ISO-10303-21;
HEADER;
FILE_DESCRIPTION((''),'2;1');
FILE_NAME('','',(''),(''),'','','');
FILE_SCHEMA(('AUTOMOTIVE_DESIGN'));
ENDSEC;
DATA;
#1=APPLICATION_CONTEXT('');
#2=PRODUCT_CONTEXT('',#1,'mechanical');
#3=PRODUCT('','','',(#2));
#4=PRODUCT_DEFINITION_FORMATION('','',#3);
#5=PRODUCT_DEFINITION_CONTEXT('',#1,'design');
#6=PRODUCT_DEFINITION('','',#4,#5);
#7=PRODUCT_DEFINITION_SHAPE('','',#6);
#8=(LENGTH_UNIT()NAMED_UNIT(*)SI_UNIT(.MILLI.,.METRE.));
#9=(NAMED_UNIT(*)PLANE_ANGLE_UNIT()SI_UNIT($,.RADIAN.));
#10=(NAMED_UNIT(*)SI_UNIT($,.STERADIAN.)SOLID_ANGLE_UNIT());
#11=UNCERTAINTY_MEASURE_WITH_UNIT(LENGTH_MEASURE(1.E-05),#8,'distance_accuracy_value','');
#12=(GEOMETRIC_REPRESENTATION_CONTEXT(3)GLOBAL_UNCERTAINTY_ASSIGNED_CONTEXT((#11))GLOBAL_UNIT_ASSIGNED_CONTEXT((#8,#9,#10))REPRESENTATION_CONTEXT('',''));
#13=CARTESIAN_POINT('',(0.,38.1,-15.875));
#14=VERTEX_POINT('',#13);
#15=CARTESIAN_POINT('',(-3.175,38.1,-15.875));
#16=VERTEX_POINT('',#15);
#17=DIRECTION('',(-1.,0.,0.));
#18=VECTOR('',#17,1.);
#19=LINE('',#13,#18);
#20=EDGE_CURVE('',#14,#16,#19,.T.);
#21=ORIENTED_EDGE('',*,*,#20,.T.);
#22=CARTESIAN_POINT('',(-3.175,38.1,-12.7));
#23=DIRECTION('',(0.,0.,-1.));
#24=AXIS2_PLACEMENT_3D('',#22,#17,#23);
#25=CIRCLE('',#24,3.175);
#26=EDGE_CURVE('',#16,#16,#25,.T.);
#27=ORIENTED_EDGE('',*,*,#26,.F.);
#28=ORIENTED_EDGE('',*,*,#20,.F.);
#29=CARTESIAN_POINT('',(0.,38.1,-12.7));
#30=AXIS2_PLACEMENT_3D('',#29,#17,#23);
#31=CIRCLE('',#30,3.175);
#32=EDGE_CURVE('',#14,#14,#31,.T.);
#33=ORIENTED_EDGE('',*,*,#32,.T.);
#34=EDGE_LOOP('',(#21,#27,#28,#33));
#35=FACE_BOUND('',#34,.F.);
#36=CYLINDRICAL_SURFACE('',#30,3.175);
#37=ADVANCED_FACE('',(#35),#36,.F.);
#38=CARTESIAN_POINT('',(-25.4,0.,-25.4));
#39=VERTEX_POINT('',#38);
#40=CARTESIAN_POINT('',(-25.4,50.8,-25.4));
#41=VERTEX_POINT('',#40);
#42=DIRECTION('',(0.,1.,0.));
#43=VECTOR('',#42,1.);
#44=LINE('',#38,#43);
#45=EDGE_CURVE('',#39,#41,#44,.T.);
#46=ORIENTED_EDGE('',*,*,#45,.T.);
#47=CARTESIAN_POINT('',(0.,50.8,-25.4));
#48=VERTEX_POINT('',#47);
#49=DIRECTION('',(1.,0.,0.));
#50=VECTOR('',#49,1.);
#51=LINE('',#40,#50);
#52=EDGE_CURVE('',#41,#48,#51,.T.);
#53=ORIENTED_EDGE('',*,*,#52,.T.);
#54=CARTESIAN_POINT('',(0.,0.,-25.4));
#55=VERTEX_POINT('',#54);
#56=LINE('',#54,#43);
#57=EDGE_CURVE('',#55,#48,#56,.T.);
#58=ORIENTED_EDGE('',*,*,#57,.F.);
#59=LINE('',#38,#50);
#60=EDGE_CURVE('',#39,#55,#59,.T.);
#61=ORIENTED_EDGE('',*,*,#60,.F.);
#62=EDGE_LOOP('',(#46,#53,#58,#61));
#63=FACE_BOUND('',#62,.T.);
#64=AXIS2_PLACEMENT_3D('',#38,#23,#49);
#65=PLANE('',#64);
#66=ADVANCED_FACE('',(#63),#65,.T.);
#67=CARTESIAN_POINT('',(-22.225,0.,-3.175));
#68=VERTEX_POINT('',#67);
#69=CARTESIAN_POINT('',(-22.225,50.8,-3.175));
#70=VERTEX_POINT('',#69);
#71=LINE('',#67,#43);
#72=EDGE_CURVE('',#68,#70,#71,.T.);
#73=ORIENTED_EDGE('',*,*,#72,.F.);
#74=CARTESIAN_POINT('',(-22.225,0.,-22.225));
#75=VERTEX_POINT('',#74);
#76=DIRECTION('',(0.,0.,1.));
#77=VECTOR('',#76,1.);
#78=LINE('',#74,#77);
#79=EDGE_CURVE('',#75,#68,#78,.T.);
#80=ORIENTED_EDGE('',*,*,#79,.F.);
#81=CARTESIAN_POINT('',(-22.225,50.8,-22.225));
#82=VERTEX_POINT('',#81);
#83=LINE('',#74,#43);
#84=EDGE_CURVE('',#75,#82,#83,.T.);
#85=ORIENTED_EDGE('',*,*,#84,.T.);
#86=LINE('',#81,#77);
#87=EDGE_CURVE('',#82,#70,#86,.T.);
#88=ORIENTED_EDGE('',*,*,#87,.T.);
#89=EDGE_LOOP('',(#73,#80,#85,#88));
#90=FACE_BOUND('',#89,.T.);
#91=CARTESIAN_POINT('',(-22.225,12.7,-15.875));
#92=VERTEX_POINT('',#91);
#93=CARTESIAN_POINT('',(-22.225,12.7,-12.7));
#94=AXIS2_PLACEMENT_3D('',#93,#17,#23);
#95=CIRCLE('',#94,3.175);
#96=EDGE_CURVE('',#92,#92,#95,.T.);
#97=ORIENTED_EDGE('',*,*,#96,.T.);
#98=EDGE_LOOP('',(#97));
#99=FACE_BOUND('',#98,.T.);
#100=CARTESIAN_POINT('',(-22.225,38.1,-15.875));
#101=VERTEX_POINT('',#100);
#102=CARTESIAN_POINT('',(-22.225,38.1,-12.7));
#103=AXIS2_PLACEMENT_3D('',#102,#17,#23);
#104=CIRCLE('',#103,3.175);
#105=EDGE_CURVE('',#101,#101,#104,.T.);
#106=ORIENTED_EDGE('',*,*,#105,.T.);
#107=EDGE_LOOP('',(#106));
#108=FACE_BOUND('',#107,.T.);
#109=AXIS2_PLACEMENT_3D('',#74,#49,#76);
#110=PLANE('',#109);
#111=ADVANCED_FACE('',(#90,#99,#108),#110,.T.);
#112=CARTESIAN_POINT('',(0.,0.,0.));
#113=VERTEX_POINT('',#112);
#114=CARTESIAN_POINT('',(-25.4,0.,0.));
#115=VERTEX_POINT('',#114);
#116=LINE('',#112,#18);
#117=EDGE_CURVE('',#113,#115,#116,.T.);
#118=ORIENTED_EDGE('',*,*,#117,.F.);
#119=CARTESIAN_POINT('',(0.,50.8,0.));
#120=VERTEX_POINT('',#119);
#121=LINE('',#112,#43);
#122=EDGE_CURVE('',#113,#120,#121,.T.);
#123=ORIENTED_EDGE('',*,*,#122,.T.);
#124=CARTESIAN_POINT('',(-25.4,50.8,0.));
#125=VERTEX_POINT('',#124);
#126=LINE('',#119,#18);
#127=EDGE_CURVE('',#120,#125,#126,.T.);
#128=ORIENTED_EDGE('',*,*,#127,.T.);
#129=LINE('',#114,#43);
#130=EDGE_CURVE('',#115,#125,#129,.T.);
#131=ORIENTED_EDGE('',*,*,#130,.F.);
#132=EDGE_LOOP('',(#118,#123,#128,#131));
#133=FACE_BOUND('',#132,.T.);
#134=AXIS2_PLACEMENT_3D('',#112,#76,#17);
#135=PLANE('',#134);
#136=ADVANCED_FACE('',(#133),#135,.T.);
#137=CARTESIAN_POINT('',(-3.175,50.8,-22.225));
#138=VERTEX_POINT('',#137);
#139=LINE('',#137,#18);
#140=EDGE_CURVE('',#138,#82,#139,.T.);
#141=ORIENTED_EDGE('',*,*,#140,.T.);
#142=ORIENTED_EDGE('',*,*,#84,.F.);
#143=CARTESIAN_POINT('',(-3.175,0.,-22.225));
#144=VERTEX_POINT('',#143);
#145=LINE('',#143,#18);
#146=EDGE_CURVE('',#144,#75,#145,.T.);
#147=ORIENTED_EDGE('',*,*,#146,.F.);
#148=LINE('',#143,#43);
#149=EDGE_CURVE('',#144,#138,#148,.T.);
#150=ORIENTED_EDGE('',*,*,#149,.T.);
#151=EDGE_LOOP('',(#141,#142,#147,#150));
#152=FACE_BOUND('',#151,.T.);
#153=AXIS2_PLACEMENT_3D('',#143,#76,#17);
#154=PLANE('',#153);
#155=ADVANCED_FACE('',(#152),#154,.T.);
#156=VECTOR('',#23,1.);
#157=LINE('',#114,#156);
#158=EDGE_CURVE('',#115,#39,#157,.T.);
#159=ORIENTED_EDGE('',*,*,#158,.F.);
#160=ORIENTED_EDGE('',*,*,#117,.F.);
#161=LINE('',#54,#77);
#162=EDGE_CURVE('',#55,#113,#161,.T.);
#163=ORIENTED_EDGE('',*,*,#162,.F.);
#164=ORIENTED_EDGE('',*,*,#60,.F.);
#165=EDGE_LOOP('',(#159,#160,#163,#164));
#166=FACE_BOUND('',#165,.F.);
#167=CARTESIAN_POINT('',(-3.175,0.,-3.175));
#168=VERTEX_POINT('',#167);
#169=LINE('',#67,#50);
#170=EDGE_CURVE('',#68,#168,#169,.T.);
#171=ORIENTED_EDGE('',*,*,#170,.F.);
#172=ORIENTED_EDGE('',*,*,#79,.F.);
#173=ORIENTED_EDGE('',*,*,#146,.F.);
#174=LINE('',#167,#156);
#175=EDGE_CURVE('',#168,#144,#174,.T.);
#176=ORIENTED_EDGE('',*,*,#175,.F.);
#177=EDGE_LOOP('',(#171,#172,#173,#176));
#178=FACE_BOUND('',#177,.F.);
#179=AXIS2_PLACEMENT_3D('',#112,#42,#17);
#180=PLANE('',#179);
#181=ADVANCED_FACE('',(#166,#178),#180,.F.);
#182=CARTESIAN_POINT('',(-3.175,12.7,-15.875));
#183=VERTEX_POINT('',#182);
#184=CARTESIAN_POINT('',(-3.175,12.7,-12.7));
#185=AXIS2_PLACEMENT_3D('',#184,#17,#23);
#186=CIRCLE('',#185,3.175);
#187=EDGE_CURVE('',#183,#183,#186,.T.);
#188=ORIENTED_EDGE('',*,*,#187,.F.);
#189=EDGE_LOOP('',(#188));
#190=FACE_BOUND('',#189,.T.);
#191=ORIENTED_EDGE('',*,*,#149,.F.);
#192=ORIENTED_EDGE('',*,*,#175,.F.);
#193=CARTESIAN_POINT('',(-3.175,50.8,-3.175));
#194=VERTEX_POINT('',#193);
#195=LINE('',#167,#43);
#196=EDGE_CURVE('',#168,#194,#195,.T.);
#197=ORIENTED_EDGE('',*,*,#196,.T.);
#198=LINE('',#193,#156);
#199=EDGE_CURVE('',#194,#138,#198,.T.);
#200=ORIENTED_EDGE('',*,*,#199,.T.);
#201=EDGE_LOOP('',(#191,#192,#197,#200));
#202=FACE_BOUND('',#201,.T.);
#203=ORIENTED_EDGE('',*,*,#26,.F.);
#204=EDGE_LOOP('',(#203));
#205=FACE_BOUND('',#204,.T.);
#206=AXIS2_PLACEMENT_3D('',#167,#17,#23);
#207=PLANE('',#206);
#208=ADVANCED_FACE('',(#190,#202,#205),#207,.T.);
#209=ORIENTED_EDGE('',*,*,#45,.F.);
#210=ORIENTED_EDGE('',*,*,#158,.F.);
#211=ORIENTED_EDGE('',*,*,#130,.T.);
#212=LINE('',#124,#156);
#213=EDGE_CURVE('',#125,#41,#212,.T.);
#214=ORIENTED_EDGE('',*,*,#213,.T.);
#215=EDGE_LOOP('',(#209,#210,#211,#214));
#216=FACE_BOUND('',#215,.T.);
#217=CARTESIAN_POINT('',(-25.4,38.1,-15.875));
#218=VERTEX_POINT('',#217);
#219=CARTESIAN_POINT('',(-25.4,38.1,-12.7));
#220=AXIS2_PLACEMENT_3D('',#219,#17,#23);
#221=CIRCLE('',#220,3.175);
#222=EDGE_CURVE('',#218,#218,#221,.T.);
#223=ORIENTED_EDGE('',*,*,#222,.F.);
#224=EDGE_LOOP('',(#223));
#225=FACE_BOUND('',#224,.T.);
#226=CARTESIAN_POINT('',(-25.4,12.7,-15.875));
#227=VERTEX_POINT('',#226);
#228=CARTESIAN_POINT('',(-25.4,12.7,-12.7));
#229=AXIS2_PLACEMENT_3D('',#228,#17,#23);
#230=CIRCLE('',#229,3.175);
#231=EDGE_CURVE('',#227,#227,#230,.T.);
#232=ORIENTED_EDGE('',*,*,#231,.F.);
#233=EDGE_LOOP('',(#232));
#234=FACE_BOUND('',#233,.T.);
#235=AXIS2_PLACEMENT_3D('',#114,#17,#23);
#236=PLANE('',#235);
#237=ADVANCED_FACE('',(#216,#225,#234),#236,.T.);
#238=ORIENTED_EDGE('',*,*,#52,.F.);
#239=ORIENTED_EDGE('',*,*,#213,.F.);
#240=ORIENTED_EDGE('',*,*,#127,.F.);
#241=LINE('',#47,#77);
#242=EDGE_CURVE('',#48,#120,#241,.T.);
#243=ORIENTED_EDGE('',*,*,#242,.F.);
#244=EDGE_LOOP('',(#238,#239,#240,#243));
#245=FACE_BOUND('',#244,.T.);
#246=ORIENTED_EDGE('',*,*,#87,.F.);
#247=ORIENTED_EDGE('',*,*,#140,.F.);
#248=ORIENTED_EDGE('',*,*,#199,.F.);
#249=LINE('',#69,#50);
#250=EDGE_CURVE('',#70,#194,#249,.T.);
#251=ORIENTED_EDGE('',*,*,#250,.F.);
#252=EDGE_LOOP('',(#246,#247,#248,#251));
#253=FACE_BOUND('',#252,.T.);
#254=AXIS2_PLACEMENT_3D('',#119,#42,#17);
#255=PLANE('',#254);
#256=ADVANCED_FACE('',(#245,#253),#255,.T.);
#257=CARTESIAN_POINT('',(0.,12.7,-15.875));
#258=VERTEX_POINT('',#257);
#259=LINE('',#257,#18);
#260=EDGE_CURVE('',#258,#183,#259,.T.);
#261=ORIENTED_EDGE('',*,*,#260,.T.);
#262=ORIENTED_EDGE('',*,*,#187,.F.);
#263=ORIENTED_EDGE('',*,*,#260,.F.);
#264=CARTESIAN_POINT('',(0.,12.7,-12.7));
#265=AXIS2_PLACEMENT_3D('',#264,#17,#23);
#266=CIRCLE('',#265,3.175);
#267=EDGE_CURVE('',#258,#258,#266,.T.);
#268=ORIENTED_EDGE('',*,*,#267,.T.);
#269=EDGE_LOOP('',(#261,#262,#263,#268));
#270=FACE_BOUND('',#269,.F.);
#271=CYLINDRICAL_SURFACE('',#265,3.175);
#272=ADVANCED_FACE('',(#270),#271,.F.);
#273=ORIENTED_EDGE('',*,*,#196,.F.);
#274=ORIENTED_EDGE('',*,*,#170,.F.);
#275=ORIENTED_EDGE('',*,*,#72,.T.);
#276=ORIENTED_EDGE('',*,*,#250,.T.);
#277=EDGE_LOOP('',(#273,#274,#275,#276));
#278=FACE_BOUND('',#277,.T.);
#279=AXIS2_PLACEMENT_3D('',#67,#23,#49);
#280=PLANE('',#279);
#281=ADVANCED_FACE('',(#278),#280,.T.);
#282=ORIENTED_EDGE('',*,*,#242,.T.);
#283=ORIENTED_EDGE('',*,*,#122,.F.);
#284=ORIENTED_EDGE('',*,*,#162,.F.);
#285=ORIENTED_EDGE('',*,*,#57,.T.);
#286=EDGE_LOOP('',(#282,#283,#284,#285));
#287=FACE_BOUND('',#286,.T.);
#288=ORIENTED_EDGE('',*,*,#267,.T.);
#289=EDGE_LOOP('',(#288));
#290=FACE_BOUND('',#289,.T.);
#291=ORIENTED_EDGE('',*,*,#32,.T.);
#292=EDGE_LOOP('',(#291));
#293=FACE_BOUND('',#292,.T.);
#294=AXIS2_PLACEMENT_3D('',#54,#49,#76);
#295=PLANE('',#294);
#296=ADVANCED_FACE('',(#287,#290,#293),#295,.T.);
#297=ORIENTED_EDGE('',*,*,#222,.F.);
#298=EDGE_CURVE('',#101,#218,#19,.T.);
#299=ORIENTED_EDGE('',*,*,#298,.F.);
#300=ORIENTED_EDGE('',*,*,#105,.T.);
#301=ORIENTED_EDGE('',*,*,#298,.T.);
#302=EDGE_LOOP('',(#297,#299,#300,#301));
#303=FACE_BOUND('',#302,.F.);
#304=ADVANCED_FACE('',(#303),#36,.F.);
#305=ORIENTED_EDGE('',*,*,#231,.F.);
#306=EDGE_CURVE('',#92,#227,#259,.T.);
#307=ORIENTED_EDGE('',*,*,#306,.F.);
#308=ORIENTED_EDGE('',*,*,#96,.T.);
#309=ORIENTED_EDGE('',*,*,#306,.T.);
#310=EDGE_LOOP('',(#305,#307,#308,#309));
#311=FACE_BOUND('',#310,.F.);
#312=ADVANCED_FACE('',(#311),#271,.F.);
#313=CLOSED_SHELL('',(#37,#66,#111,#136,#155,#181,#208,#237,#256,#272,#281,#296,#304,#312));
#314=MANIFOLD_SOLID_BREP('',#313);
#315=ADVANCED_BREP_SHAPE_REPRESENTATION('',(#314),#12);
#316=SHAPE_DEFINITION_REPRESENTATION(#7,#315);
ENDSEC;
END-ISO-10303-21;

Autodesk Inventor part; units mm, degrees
ref_plane "YZ Plane" through (0, 0, 0) normal (1, 0, 0) x (0, 1, 0)
ref_plane "XZ Plane" through (0, 0, 0) normal (0, 1, 0) x (-1, 0, 0)
ref_plane "XY Plane" through (0, 0, 0) normal (0, 0, 1) x (1, 0, 0)
sketch "Sketch1" plane through (0, 0, 0) normal (0, 1, 0) x (-1, 0, 0)
  line L0 (0, 0) -> (25.4, 0)
  line L1 (25.4, 0) -> (25.4, -25.4)
  line L2 (25.4, -25.4) -> (0, -25.4)
  line L3 (0, -25.4) -> (0, 0)
  line L4 (22.225, -22.225) -> (22.225, -3.175)
  line L5 (22.225, -3.175) -> (3.175, -3.175)
  line L6 (3.175, -3.175) -> (3.175, -22.225)
  line L7 (3.175, -22.225) -> (22.225, -22.225)
  dimension "d0" = 25.4
  dimension "d1" = 25.4
  dimension "d2" = 3.175
extrude "Extrusion1" add sketch "Sketch1" along normal blind 50.8
sketch "Sketch2" plane through (0, 0, 0) normal (1, 0, 0) x (0, 0, -1)
  line L0 (25.4, 0) -> (0, 0) projected
  line L1 (25.4, 0) -> (25.4, 50.8) projected
  line L2 (0, 50.8) -> (25.4, 50.8) projected
  line L3 (0, 0) -> (0, 50.8) projected
  point P0 (12.7, 38.1)
  point P1 (12.7, 12.7)
  dimension "d5" = 12.7
  dimension "d6" = 12.7
  dimension "d7" = 12.7
  dimension "d8" = 12.7
hole "Hole1" at (0, 38.1, -12.7) at (0, 12.7, -12.7) direction (-1, 0, 0) diameter 6.35 end through all
properties part number "1x1AluminumStandoff.ver1-1111-2020"
